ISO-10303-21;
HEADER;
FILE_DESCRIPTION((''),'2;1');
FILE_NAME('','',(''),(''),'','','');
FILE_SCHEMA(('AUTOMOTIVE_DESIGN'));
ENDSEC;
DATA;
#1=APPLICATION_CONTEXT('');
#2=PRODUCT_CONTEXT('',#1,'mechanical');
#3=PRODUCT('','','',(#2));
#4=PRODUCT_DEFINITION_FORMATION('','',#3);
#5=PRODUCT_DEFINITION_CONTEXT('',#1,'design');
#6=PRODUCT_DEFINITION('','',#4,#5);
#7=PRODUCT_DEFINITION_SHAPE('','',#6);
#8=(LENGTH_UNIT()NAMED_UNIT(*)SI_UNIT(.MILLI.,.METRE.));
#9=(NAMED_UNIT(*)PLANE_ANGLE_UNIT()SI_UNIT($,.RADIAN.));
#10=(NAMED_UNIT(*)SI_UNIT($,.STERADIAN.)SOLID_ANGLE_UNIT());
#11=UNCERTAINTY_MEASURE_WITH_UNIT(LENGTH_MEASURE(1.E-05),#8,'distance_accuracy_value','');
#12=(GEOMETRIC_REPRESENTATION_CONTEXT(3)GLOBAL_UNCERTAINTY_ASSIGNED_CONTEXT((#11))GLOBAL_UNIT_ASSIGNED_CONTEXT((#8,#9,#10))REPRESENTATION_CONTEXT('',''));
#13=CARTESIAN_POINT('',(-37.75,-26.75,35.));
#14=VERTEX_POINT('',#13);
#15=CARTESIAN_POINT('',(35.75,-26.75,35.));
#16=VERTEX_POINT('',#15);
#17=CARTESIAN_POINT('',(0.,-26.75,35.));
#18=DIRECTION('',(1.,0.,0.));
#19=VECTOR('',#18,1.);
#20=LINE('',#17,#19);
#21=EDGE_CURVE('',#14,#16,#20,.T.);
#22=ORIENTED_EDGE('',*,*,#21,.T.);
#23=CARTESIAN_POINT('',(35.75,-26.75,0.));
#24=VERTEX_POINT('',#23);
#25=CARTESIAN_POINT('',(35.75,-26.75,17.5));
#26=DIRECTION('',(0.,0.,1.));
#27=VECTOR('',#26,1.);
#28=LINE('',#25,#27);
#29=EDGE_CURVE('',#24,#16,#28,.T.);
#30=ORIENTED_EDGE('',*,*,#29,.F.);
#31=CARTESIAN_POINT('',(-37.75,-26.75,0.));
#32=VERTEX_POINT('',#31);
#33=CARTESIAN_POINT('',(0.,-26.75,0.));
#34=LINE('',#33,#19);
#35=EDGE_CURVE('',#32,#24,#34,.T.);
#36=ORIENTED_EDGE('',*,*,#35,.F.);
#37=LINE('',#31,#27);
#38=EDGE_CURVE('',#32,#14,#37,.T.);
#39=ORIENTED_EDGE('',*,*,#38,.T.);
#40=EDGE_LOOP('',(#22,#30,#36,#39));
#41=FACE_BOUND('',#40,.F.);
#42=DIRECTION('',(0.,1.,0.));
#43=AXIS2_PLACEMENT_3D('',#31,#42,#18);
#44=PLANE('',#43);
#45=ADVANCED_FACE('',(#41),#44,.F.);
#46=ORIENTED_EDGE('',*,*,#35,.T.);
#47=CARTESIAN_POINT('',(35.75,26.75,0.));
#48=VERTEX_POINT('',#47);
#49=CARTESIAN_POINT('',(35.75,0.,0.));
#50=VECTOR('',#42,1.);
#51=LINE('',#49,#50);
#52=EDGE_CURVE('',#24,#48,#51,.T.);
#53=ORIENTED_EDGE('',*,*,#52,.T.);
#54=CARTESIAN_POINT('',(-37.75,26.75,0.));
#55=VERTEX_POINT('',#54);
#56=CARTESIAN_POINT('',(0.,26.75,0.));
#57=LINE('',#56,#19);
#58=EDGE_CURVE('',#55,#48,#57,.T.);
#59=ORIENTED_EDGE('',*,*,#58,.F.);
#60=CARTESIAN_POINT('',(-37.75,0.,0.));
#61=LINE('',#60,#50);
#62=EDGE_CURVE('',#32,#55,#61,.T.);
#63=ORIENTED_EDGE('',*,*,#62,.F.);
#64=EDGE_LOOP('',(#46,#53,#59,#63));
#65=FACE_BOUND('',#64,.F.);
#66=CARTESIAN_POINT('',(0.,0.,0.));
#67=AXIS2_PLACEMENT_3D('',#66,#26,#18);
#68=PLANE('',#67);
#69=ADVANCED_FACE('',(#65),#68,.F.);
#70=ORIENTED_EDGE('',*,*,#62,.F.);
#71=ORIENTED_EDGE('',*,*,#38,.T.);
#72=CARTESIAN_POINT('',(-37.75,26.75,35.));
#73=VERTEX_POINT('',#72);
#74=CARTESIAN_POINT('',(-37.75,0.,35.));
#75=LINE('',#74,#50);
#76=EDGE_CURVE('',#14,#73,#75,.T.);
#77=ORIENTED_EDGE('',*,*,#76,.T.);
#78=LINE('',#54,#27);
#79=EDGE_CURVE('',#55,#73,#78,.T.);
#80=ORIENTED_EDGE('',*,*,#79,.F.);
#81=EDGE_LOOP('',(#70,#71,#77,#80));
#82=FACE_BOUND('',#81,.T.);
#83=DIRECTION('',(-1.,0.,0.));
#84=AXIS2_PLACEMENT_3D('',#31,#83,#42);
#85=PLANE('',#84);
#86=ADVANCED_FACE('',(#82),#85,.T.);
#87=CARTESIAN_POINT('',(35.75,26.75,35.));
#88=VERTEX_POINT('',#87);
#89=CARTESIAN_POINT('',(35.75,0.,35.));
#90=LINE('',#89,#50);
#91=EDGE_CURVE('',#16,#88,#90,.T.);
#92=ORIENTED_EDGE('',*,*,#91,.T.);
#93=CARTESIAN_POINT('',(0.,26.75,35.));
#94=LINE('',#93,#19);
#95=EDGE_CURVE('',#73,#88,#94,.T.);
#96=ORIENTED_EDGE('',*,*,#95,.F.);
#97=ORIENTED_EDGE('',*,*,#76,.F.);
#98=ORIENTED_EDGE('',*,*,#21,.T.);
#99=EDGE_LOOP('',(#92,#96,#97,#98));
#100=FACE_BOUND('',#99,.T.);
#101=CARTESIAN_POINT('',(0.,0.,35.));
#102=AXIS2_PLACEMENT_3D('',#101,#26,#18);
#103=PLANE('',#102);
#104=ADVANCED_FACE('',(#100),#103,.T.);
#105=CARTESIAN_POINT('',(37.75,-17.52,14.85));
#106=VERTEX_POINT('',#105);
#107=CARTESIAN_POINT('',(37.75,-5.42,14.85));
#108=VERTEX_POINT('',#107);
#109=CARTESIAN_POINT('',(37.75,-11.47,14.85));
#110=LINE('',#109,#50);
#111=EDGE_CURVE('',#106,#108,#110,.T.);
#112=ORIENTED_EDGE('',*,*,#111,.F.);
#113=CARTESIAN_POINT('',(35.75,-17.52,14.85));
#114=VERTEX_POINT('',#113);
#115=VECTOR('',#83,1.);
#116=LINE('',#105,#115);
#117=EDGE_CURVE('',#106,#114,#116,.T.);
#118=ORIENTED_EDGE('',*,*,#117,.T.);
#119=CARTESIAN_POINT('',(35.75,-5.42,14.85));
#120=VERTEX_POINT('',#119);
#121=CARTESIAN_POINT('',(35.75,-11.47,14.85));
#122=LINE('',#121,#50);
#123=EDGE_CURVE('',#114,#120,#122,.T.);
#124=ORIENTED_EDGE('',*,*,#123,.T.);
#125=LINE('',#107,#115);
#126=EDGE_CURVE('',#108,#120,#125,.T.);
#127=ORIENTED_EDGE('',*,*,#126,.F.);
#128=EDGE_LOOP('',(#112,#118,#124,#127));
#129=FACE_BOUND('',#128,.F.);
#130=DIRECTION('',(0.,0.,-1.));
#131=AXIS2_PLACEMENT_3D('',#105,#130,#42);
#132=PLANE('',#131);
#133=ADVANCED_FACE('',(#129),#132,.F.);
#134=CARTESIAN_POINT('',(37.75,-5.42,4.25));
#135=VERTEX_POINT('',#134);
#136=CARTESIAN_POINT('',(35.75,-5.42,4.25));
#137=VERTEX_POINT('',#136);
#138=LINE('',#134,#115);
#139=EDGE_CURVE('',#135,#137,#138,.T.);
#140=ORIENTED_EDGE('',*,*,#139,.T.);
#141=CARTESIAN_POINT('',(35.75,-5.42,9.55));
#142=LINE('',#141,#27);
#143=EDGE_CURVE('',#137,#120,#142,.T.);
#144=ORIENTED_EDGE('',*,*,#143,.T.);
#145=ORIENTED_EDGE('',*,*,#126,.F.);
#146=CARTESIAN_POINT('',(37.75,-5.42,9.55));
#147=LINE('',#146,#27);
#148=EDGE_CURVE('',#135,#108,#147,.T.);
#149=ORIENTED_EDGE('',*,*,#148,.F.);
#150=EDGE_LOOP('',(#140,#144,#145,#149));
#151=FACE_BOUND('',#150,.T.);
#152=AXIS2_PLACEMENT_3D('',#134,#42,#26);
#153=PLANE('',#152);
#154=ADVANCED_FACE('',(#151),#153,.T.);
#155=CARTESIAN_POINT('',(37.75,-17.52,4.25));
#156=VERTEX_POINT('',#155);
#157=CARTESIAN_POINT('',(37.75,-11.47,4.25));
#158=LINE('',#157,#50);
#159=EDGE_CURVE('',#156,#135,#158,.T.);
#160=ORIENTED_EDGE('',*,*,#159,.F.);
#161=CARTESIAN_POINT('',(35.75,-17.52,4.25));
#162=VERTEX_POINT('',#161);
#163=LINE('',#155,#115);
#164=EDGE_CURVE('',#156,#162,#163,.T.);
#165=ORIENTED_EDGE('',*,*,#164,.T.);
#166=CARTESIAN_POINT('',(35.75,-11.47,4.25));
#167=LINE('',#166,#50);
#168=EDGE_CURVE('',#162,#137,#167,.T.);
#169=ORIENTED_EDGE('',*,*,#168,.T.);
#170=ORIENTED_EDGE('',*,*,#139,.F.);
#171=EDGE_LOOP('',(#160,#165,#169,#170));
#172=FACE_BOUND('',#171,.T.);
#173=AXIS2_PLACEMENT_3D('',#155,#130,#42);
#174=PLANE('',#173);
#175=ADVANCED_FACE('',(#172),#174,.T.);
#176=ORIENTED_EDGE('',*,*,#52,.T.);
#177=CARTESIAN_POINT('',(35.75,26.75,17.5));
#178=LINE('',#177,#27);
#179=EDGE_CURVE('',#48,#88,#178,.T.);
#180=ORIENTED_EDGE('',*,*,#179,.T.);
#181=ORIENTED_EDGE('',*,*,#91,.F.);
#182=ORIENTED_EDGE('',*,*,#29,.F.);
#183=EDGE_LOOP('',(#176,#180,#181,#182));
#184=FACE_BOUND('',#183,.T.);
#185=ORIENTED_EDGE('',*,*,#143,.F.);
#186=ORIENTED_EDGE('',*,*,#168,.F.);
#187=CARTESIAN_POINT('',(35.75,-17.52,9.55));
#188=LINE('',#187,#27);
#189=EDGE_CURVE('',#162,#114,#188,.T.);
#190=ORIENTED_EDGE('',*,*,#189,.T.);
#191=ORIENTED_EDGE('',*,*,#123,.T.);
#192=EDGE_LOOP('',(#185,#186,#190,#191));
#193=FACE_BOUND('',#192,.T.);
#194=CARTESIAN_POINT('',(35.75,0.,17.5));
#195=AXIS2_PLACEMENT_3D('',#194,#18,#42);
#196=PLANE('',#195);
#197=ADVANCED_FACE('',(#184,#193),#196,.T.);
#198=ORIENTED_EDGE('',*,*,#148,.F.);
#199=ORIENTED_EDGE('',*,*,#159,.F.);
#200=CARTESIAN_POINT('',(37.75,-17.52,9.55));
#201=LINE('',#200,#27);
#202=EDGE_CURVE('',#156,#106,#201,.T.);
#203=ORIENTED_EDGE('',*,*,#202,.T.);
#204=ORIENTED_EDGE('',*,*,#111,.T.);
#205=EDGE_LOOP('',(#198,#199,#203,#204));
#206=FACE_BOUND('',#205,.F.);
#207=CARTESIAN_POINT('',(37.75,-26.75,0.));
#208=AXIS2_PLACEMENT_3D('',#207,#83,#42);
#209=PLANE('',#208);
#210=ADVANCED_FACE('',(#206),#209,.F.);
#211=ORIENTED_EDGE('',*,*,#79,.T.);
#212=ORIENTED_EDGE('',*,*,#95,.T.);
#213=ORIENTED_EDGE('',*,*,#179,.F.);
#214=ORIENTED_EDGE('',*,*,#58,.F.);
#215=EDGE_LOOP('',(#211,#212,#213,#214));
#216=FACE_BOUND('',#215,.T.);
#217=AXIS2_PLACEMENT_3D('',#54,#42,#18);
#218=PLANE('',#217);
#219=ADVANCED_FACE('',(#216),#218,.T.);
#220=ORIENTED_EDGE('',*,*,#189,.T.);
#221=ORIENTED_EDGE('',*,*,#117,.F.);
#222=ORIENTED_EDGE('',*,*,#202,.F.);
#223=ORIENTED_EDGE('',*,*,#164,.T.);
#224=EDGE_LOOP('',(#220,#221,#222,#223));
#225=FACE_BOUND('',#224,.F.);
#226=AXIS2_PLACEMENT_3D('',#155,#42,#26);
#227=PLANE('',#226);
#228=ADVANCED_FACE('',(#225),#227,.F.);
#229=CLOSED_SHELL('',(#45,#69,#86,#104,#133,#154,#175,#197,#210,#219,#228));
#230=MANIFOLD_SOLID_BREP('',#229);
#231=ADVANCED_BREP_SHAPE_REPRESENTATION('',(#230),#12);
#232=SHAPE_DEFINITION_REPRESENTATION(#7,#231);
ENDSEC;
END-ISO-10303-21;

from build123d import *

# Parameters (mm, degrees)
F0_W     = 75.5
F0_H     = 53.5
F1_DEPTH = 35
F2_W     = 53.5
F2_H     = 35
F2_W_2   = 12.1
F2_H_2   = 10.6
F3_DEPTH = 2


with BuildPart() as f1:
    # F0 (on Top) → F1 (new body)
    with BuildSketch(Plane.XY):
        Rectangle(F0_W, F0_H)
    extrude(amount=F1_DEPTH)

    # F2 (on face) → F3 (cut)
    with BuildSketch(Plane.YZ.offset(37.75)):
        with Locations((0, 17.5)):
            Rectangle(F2_W, F2_H)
        with Locations((-11.47, 9.55)):
            Rectangle(F2_W_2, F2_H_2, mode=Mode.SUBTRACT)
    extrude(amount=-F3_DEPTH, mode=Mode.SUBTRACT)


solid = f1.part
